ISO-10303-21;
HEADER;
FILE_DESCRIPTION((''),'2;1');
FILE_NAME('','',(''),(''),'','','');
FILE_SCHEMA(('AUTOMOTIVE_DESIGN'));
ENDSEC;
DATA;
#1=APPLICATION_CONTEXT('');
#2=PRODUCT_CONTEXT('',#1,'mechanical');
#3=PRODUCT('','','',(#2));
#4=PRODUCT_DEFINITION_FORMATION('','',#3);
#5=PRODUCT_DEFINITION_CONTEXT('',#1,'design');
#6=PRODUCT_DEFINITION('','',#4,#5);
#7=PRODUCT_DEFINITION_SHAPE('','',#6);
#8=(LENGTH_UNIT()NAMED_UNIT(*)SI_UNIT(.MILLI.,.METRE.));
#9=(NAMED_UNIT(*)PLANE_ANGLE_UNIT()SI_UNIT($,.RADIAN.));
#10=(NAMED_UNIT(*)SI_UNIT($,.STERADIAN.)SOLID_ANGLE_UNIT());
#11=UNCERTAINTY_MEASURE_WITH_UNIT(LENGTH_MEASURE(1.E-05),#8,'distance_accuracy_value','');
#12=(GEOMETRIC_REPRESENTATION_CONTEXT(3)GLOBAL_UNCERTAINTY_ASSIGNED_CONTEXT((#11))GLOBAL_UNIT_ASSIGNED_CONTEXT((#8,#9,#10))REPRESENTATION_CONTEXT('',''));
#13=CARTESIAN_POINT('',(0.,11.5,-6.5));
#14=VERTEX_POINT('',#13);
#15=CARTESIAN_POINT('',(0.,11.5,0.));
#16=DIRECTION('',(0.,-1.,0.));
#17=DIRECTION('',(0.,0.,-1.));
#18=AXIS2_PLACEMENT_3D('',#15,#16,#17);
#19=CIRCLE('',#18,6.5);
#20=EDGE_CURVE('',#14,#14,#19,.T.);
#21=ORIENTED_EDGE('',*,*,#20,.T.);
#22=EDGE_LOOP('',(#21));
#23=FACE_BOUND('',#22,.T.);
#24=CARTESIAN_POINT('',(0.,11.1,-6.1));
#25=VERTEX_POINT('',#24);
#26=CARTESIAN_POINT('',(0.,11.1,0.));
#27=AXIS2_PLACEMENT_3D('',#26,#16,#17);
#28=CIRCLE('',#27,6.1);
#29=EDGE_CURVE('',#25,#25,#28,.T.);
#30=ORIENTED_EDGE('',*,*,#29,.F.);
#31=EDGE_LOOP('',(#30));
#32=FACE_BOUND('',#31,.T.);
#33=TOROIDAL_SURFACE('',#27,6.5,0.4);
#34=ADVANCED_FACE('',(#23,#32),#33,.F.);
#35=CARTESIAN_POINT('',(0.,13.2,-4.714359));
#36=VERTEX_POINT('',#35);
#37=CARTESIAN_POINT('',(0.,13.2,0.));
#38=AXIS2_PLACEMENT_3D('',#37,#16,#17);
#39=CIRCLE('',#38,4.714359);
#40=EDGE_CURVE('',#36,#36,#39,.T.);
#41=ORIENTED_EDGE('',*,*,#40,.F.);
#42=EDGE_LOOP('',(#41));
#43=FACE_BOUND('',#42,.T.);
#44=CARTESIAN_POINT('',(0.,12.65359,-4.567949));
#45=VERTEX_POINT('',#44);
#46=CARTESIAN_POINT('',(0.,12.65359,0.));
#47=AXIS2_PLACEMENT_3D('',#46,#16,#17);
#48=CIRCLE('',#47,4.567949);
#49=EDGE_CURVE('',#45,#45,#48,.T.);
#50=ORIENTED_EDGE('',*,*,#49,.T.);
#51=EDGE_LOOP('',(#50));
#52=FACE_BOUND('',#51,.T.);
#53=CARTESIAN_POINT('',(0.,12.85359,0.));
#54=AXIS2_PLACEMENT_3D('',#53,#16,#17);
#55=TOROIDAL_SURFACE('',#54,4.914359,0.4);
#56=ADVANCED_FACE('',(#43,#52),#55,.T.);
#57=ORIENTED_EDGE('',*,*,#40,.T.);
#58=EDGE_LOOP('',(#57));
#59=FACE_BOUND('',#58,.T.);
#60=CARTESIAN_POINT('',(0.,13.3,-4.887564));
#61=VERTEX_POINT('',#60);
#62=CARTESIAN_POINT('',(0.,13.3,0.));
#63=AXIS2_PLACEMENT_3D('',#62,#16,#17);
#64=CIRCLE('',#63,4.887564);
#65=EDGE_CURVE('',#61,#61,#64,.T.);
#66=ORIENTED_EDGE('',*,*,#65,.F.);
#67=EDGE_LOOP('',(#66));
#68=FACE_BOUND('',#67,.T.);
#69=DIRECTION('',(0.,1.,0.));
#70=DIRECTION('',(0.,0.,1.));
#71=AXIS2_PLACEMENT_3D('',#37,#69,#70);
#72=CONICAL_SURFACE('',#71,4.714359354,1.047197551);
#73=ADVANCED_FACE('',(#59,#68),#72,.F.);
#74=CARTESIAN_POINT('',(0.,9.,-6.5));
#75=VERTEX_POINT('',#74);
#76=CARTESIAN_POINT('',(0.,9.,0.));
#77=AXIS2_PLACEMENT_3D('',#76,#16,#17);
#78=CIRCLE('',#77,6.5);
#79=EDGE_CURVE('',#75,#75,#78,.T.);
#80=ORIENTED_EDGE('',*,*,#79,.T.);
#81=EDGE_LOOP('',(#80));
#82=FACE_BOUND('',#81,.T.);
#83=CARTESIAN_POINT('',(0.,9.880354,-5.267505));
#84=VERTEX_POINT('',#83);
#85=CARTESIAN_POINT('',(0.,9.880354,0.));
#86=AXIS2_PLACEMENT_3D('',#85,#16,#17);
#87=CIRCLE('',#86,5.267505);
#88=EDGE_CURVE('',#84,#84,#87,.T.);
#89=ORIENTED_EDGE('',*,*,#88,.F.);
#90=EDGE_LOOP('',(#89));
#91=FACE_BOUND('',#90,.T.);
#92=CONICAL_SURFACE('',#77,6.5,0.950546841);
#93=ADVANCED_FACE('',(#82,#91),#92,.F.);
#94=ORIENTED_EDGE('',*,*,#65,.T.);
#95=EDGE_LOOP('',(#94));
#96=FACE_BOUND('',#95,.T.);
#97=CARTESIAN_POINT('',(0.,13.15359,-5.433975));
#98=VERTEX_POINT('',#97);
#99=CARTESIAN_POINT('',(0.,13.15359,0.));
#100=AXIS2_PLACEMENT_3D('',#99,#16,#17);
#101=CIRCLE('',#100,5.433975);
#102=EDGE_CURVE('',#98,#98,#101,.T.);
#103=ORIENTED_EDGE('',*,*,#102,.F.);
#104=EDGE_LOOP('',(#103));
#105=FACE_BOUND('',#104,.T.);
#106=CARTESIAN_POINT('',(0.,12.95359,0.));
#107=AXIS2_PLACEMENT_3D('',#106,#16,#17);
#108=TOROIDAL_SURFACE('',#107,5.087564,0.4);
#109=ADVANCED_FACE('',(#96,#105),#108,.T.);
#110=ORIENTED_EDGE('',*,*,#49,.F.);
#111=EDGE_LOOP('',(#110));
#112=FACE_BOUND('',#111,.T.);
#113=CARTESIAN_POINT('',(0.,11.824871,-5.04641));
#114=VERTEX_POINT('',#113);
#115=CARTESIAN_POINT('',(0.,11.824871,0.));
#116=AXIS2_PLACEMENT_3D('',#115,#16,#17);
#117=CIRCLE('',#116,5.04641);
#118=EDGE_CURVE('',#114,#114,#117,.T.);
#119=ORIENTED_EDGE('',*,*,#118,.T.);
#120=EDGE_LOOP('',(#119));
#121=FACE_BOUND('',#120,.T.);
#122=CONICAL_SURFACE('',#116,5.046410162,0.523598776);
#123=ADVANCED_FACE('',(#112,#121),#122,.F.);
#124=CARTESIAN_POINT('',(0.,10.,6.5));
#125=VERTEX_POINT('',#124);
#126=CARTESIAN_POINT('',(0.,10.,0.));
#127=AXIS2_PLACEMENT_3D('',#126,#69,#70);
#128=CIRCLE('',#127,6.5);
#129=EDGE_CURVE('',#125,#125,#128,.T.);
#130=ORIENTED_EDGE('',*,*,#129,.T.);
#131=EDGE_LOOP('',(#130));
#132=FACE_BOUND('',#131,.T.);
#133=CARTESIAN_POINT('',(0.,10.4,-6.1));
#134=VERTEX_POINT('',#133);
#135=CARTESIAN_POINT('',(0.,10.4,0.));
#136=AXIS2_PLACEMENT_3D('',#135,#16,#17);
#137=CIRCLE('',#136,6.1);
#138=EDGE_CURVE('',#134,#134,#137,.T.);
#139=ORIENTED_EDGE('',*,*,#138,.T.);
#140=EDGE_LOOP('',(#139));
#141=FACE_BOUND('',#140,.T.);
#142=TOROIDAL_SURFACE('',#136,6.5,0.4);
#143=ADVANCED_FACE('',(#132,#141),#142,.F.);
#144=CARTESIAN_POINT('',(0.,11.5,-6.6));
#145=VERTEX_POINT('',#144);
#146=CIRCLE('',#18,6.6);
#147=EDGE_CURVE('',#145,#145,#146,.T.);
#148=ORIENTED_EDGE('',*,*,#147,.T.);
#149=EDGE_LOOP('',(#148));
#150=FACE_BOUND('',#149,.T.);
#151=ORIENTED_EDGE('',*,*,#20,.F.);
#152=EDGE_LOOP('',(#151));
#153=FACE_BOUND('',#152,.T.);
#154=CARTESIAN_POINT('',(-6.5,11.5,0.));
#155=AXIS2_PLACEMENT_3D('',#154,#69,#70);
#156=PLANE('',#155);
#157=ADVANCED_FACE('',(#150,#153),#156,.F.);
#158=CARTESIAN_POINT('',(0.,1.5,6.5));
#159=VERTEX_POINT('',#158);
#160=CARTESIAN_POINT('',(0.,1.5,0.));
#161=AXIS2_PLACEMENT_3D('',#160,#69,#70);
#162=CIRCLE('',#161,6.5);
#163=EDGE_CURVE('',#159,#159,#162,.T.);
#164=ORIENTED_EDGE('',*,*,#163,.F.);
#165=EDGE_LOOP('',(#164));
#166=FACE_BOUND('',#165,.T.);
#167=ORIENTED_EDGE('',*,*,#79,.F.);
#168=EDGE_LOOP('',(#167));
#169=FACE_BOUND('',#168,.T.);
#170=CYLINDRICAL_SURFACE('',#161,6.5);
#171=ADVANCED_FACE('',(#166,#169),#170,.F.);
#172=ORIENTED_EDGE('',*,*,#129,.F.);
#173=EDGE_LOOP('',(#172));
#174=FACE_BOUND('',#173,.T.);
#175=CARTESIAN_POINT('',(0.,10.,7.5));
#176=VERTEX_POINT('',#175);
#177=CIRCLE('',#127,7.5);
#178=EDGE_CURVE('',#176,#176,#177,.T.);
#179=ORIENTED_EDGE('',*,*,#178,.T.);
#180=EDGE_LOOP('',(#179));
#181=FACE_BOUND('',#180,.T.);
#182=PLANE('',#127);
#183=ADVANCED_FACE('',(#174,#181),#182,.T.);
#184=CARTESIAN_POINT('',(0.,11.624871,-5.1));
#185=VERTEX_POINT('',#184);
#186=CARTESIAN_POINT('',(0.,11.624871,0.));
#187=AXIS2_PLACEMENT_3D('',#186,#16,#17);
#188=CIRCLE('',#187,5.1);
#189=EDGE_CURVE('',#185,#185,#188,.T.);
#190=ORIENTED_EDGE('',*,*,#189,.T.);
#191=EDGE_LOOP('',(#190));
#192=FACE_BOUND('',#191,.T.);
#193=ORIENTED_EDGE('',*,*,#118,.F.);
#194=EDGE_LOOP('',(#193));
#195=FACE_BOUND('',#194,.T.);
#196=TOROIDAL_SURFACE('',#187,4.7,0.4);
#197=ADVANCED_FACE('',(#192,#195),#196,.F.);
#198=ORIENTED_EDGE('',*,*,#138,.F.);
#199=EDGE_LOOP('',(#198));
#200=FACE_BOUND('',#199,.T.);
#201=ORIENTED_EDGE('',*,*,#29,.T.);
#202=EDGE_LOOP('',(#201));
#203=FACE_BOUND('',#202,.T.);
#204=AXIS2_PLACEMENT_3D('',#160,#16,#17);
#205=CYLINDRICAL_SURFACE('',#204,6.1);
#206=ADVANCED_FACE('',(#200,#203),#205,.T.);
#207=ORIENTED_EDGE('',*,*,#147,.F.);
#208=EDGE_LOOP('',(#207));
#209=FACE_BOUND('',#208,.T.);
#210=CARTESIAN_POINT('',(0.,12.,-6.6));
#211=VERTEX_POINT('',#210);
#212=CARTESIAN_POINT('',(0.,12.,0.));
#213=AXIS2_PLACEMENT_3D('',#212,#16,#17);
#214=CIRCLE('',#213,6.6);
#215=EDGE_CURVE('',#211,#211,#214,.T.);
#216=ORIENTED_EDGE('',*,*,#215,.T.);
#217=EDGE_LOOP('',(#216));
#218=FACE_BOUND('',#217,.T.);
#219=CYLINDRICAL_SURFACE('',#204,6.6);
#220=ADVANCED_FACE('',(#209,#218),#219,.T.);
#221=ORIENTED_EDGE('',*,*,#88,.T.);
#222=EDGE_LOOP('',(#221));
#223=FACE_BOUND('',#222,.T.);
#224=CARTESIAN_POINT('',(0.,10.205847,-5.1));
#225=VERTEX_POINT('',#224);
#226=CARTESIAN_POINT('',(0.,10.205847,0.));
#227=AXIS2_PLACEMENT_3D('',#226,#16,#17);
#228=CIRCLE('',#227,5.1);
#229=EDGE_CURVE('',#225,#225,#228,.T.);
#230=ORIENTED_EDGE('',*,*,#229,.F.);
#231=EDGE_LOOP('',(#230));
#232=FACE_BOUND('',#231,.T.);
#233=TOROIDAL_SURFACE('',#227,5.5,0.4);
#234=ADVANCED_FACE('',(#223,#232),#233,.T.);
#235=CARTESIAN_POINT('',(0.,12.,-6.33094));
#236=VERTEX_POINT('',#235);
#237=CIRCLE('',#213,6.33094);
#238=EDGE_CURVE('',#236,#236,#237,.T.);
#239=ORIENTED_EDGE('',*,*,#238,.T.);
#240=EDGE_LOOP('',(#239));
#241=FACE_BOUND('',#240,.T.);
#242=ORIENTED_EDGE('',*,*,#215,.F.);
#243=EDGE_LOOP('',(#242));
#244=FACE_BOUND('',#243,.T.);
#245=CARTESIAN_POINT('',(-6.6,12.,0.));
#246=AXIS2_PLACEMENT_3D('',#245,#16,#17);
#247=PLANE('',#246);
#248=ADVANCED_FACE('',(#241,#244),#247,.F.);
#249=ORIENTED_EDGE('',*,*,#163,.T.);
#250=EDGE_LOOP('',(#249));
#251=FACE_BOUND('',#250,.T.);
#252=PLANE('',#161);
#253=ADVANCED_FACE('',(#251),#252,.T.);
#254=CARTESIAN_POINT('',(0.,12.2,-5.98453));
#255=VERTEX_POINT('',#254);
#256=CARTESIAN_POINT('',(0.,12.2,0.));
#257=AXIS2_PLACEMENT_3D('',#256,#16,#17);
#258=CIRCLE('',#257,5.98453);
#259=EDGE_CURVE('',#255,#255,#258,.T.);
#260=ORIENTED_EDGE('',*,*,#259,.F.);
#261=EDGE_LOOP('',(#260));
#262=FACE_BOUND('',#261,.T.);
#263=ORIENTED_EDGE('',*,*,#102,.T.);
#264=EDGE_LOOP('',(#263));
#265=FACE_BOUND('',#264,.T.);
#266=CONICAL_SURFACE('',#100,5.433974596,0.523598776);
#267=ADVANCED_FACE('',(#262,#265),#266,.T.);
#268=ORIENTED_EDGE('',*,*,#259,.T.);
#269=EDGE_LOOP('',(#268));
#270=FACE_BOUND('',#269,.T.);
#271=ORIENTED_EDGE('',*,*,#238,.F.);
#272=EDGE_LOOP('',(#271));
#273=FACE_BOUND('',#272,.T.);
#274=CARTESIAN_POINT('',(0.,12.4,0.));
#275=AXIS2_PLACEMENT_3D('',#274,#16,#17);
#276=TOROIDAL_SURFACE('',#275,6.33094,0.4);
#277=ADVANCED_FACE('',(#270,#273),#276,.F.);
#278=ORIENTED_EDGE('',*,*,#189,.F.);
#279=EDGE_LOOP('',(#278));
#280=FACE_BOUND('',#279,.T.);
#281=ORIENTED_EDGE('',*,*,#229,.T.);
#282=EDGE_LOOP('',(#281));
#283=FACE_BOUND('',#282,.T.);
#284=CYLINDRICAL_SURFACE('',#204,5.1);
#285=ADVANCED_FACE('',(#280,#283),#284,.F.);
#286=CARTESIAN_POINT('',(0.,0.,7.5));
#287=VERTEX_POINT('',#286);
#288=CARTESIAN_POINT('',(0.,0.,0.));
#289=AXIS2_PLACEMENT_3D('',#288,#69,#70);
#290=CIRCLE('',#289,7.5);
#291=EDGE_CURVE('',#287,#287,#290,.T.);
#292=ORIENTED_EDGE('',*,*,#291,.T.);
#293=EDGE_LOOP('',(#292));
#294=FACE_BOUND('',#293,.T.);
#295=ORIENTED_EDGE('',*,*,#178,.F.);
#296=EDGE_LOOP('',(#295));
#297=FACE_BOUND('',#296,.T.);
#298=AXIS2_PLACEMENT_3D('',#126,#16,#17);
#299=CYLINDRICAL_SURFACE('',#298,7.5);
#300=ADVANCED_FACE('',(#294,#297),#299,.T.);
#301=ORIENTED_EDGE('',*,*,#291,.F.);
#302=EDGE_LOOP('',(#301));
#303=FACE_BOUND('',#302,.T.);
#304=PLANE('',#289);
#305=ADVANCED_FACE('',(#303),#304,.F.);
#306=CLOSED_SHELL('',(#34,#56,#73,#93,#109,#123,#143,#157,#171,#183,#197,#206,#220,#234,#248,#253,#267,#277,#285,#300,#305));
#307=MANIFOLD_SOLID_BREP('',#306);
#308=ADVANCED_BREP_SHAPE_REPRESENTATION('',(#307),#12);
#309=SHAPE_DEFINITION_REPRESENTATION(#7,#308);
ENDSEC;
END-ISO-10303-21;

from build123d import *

# Parameters (mm, degrees)
SKETCH1_R           = 7.5
BOSS_EXTRUDE1_DEPTH = 10
SKETCH2_R           = 6.5
CUT_EXTRUDE1_DEPTH  = 8.5


with BuildPart() as part:
    # Sketch1 → Boss-Extrude1 (new body)
    with BuildSketch(Plane(origin=(0, 0, 0), x_dir=(1, 0, 0), z_dir=(0, 1, 0))):
        with Locations(Location((0, 0, 0), (0, 0, 270))):
            Circle(SKETCH1_R)
    extrude(amount=BOSS_EXTRUDE1_DEPTH)

    # Sketch2 → Cut-Extrude1 (cut)
    with BuildSketch(Plane(origin=(0, 10, 0), x_dir=(1, 0, 0), z_dir=(0, 1, 0))):
        with Locations(Location((0, 0, 0), (0, 0, 270))):
            Circle(SKETCH2_R)
    extrude(amount=-CUT_EXTRUDE1_DEPTH, mode=Mode.SUBTRACT)

    # Sketch3 → Revolve1 (revolve)
    with BuildSketch(Plane.XY, mode=Mode.PRIVATE) as revolve1_sk:
        with BuildLine():
            Line((-7, 10), (-6.5, 10))
            ThreePointArc((-6.5, 10), (-6.217157288, 10.117157288), (-6.1, 10.4))
            Line((-6.1, 10.4), (-6.1, 11.1))
            ThreePointArc((-6.1, 11.1), (-6.217157288, 11.382842712), (-6.5, 11.5))
            Line((-6.5, 11.5), (-6.6, 11.5))
            Line((-6.6, 11.5), (-6.6, 12))
            Line((-6.6, 12), (-6.330940108, 12))
            ThreePointArc((-6.330940108, 12), (-6.130940108, 12.053589838), (-5.984529946, 12.2))
            Line((-5.984529946, 12.2), (-5.433974596, 13.153589838))
            ThreePointArc((-5.433974596, 13.153589838), (-5.191092053, 13.339960169), (-4.887564435, 13.3))
            Line((-4.887564435, 13.3), (-4.714359354, 13.2))
            ThreePointArc((-4.714359354, 13.2), (-4.527989023, 12.957117457), (-4.567949192, 12.653589838))
            Line((-4.567949192, 12.653589838), (-5.046410162, 11.824871131))
            ThreePointArc((-5.046410162, 11.824871131), (-5.086370331, 11.728398749), (-5.1, 11.624871131))
            Line((-5.1, 11.624871131), (-5.1, 10.205847158))
            ThreePointArc((-5.1, 10.205847158), (-5.144332943, 10.022814526), (-5.267504723, 9.88035377))
            Line((-5.267504723, 9.88035377), (-6.5, 9))
            Line((-6.5, 9), (-7, 9))
            Line((-7, 9), (-7, 10))
        make_face()
    revolve(revolve1_sk.sketch.rotate(Axis((0, 1.5, 0), (0, 1, 0)), 270), axis=Axis((0, 1.5, 0), (0, 1, 0)))


solid = part.part
